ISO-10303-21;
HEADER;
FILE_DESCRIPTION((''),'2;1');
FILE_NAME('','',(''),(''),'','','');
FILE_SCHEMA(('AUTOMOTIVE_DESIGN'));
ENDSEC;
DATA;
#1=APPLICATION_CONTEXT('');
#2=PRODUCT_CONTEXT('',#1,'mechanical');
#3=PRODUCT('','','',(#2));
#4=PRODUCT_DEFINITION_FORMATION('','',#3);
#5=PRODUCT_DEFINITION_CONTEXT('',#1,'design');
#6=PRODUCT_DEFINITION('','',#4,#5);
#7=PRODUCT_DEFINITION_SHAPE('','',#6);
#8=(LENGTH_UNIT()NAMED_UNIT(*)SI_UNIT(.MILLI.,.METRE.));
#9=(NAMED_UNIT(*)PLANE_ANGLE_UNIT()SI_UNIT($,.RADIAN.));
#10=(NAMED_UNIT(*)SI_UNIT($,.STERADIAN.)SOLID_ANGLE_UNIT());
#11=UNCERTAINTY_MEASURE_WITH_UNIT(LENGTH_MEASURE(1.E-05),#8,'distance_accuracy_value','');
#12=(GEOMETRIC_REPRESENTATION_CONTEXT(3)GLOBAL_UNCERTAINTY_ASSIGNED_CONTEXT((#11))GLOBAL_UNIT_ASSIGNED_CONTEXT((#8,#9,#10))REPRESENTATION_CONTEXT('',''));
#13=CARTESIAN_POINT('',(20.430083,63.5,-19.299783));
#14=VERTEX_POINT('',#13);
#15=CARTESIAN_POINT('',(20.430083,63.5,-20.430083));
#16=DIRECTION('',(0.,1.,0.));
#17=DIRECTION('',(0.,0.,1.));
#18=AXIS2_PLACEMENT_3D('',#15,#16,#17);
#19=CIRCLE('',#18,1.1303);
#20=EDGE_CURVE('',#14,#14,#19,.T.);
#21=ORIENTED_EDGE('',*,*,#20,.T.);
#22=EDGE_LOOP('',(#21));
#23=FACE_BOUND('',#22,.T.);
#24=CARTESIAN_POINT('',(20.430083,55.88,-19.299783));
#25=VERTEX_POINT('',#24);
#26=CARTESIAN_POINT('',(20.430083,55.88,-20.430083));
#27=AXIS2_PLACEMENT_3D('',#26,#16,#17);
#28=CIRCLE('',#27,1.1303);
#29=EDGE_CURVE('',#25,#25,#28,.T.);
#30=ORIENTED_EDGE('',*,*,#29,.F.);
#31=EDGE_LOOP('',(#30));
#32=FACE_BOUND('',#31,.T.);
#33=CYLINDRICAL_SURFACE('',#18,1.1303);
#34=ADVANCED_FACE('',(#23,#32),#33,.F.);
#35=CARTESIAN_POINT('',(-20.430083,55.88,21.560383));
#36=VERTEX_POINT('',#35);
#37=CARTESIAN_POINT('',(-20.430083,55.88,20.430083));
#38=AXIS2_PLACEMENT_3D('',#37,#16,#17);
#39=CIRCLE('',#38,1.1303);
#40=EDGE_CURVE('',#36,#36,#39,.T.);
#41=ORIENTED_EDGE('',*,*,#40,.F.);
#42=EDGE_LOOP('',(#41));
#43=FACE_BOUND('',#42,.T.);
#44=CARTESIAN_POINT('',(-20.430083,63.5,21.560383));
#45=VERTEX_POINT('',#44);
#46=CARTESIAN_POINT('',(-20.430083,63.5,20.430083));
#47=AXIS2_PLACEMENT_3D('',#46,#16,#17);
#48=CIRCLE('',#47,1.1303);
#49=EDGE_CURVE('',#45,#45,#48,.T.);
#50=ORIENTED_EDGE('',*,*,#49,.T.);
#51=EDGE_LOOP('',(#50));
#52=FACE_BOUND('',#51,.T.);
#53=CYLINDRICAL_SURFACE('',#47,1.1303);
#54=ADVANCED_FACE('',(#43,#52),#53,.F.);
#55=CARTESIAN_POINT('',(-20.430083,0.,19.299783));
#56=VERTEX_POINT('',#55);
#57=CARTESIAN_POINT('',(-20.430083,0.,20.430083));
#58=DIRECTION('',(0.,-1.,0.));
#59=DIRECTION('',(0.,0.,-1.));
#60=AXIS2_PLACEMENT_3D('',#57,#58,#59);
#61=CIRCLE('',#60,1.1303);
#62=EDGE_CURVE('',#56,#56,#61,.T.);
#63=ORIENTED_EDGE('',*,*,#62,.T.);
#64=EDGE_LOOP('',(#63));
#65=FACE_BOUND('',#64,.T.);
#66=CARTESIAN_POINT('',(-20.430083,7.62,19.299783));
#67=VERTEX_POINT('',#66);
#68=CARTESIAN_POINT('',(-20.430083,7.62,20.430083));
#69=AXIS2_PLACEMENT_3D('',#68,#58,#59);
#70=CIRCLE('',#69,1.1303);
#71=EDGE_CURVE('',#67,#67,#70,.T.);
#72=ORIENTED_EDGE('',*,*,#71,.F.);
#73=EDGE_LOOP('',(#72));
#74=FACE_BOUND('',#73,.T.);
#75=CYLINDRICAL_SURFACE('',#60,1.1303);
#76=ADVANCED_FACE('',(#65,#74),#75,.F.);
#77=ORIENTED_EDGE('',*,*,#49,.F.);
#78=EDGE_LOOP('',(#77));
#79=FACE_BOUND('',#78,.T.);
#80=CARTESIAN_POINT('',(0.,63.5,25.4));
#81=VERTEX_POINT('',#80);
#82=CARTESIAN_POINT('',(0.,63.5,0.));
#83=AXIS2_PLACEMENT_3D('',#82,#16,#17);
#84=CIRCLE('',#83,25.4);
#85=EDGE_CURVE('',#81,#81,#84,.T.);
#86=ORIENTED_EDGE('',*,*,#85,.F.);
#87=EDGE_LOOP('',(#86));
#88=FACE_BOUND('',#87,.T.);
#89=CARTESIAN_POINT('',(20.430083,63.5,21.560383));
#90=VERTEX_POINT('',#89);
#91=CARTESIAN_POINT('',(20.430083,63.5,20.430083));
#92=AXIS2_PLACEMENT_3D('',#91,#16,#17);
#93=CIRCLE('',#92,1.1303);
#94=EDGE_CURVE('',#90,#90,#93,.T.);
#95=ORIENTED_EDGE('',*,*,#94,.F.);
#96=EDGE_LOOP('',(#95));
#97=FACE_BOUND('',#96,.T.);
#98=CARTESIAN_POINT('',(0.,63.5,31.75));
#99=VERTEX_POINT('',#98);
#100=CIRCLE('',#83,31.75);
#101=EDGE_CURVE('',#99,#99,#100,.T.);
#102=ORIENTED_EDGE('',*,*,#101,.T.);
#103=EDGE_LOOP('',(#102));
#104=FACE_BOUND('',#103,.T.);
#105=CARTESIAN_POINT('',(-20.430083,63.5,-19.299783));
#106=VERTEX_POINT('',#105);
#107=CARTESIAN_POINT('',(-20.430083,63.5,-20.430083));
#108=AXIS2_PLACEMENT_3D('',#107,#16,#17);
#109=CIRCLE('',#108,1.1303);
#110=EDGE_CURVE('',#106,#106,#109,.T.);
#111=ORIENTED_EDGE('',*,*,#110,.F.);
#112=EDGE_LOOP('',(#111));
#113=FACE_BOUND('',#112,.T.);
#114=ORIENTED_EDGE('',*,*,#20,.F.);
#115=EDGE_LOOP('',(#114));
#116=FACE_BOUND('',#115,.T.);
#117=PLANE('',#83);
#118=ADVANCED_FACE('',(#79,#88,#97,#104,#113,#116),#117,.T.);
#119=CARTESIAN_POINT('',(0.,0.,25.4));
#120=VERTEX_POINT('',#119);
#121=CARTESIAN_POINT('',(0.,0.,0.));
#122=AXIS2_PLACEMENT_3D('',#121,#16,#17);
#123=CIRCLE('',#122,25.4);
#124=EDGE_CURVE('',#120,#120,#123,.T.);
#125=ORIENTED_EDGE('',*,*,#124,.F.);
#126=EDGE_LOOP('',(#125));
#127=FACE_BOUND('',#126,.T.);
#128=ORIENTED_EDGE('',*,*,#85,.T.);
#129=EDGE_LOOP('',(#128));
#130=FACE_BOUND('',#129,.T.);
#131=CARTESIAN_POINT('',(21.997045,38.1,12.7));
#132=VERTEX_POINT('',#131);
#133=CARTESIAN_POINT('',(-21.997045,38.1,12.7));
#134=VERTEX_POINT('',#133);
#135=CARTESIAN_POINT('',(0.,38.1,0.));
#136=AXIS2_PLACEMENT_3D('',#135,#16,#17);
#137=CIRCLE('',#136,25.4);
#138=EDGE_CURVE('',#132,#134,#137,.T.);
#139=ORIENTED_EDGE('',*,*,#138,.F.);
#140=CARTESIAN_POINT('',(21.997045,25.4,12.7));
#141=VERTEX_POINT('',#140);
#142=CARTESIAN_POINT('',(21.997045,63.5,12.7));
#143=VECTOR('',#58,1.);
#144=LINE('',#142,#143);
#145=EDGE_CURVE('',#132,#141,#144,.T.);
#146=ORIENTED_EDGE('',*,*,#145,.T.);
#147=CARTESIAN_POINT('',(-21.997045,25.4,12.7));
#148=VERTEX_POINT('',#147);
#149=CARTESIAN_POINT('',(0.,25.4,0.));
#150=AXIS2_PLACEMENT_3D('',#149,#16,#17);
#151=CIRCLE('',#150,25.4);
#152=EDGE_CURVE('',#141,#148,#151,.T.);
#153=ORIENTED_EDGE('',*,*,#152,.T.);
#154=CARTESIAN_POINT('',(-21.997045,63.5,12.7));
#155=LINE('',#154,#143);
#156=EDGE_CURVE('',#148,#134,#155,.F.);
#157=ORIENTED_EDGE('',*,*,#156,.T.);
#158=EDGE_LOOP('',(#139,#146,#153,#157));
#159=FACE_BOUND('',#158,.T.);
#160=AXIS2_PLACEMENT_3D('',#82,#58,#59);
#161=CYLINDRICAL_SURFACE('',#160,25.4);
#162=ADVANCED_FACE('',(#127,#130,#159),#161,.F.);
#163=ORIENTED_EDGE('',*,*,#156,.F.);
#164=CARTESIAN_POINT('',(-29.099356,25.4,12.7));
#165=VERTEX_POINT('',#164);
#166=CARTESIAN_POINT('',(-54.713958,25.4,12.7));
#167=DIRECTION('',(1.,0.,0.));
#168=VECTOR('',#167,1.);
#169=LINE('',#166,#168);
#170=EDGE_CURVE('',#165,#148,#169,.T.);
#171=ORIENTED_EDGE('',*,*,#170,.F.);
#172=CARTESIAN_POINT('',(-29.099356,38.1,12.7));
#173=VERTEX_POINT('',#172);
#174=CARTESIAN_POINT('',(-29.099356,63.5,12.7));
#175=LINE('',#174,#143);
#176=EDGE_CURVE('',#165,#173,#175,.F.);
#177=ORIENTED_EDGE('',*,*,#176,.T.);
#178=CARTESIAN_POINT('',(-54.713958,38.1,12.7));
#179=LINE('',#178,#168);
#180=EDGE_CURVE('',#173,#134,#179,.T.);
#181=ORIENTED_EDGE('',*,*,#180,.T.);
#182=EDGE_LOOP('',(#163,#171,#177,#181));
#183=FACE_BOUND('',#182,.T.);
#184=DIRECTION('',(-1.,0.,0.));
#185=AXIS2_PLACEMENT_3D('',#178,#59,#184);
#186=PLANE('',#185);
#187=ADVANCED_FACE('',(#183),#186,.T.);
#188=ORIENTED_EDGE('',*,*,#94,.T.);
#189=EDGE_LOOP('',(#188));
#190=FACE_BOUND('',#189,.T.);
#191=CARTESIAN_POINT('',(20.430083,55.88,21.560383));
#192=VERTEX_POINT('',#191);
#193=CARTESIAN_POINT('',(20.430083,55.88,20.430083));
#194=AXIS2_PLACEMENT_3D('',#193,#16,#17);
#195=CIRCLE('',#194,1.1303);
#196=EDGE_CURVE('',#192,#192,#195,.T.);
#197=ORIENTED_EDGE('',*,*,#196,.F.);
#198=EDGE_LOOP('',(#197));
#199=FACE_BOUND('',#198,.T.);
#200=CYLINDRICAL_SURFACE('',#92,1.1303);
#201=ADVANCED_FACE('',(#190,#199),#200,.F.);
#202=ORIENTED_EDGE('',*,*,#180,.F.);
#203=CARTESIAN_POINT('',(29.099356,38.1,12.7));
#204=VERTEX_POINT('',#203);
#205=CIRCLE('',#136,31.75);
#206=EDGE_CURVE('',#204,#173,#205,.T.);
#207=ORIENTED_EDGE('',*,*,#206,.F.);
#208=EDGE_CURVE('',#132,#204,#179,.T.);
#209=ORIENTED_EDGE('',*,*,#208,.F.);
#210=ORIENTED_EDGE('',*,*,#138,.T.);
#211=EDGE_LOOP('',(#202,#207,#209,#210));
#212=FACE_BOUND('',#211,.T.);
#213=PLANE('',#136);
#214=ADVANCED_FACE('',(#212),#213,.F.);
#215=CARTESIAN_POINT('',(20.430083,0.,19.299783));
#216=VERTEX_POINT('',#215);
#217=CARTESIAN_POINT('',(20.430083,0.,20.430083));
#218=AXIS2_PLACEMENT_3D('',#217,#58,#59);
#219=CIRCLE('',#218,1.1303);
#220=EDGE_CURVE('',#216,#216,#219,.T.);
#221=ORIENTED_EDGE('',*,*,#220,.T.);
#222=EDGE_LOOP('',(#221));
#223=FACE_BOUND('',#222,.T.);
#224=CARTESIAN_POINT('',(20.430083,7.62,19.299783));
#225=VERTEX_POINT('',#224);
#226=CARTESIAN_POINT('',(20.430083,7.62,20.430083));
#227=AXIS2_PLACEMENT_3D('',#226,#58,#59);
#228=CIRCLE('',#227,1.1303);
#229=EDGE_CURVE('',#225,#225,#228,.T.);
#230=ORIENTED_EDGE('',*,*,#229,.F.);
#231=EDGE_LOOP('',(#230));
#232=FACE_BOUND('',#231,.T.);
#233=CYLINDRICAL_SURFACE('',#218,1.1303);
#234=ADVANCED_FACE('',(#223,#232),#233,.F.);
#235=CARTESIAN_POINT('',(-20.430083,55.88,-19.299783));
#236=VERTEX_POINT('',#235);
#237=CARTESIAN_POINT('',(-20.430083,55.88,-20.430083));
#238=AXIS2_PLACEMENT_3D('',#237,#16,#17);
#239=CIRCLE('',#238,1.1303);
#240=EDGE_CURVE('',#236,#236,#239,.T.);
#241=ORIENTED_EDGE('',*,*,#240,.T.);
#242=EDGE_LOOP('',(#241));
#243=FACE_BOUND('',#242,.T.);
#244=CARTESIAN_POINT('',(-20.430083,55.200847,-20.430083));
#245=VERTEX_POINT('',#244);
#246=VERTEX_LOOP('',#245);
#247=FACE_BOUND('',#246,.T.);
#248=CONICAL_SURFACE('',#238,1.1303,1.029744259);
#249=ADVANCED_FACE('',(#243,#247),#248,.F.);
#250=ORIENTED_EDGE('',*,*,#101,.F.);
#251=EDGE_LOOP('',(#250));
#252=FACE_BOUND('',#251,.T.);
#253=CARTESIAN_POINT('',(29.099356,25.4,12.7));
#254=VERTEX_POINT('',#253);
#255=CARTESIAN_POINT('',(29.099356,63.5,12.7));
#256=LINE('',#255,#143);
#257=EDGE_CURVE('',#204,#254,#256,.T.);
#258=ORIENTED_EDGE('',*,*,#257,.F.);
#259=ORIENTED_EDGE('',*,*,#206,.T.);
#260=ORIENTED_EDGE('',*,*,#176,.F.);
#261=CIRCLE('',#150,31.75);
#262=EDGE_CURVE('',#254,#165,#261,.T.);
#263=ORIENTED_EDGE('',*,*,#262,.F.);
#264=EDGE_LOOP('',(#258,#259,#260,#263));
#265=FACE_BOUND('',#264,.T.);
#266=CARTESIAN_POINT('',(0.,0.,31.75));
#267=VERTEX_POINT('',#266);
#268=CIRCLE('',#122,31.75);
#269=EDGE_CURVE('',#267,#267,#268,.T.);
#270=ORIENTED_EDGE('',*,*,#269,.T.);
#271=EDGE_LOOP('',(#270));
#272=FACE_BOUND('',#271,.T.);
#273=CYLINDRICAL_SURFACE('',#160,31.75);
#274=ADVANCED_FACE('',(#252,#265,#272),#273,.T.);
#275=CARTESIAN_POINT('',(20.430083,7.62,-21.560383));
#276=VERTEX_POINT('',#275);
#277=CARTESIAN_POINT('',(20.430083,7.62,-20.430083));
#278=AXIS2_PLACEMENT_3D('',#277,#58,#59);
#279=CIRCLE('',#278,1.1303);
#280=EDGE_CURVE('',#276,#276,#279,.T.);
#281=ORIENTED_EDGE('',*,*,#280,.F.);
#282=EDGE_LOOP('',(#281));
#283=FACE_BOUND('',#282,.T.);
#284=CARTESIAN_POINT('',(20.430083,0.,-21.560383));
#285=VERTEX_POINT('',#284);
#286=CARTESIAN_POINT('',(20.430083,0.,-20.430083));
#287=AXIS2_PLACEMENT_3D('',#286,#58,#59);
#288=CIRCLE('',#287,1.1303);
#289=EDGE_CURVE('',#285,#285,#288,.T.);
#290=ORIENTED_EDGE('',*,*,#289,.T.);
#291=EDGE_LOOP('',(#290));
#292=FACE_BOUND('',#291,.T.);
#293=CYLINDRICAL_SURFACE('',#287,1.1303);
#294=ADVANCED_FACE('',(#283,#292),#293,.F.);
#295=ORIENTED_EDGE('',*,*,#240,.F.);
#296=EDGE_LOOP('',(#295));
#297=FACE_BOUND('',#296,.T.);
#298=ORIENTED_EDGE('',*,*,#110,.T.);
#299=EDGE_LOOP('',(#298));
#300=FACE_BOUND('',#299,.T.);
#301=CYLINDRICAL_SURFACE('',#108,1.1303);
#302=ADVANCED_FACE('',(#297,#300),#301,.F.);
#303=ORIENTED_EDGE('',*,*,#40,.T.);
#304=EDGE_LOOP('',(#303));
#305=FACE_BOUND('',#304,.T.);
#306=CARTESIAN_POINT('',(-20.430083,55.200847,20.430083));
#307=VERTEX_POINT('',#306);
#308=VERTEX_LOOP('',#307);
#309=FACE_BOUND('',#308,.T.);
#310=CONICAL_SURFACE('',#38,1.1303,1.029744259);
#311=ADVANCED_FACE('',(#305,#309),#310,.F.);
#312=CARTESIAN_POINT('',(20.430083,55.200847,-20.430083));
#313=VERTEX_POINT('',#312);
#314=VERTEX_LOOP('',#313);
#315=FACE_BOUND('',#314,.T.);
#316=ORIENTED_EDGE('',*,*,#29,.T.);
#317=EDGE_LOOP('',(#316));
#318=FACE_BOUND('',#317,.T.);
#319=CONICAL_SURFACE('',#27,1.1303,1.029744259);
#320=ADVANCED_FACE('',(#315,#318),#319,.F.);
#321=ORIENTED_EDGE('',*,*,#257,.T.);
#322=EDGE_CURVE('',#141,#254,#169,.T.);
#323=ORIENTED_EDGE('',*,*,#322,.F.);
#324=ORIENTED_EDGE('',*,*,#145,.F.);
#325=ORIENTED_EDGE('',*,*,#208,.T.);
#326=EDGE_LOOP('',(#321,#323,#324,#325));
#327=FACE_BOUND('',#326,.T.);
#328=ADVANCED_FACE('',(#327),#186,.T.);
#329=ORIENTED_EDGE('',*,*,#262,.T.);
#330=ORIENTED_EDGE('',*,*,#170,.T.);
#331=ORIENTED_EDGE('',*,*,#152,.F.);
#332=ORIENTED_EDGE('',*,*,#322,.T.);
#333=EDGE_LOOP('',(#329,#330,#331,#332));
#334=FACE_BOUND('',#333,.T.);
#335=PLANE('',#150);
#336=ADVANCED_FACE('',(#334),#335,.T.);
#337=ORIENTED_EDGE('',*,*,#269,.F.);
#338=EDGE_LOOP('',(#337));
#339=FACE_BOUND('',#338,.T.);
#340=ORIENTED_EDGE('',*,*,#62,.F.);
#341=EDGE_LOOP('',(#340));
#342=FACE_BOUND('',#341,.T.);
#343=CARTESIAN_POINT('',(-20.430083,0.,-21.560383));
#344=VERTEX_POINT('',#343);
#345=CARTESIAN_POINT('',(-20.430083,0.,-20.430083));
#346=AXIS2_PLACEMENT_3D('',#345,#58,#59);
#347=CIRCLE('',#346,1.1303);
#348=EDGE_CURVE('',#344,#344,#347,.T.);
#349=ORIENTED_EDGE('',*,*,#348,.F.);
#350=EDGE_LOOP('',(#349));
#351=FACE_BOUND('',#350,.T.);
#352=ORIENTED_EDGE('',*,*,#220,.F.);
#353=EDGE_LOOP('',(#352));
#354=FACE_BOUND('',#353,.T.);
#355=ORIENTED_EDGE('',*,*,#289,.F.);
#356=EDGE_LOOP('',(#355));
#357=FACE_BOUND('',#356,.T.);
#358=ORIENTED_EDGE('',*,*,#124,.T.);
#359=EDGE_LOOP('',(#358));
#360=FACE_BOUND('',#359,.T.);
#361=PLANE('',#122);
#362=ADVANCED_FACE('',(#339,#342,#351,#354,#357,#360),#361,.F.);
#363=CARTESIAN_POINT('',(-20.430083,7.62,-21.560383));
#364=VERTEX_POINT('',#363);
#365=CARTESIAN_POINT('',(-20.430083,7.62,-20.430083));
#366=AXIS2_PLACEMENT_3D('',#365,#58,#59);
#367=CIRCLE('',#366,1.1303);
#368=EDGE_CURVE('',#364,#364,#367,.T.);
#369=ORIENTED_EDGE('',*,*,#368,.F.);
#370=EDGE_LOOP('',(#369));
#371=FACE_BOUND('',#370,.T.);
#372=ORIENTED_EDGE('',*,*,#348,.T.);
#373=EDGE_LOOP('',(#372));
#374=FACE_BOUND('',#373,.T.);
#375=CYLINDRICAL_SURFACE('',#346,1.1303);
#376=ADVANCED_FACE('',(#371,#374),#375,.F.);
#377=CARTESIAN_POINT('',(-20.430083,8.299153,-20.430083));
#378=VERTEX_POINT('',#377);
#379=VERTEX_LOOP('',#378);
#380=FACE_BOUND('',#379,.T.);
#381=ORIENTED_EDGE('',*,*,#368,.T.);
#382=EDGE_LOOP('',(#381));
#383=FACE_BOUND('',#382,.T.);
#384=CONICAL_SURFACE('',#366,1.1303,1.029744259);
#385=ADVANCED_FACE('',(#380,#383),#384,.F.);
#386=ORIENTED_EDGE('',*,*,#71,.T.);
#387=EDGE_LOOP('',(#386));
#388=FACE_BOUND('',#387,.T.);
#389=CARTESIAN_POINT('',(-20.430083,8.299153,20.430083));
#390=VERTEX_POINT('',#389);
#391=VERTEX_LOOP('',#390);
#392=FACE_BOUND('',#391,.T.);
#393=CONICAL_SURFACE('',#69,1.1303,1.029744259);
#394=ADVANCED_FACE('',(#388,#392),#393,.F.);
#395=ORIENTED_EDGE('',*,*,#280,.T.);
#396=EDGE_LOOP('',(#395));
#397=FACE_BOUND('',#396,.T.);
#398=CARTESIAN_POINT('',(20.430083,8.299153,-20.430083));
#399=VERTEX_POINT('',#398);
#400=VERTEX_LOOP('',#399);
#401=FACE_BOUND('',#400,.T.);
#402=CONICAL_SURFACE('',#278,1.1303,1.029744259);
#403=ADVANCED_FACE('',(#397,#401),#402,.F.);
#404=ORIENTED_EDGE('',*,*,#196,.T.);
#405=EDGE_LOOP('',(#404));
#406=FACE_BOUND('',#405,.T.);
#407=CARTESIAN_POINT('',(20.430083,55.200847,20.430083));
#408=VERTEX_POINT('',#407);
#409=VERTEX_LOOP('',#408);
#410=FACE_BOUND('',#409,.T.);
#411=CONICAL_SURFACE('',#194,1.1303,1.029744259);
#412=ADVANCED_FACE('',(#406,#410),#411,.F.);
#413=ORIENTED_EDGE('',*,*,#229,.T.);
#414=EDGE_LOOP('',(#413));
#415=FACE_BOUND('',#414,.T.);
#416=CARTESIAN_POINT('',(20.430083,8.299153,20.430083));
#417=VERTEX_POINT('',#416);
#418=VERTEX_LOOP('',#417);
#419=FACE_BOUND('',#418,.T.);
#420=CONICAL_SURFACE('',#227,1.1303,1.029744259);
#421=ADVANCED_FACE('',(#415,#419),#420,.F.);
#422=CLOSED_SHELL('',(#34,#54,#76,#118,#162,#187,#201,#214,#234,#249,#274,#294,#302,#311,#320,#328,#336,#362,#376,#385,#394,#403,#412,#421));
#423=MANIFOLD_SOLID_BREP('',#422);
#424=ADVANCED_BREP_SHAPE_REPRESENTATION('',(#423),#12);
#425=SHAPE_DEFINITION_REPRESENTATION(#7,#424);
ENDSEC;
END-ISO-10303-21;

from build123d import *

# Parameters (mm, degrees)
SKETCH1_R                      = 31.75
SKETCH1_R_2                    = 25.4
BOSS_EXTRUDE1_DEPTH            = 63.5
F_4_40_TAPPED_HOLE1_AT_2_COUNT = 2
F_4_40_TAPPED_HOLE1_AT_2_PITCH = 40.860165351
F_4_40_TAPPED_HOLE1_AT_3_COUNT = 2
F_4_40_TAPPED_HOLE1_AT_3_PITCH = 57.785
F_4_40_TAPPED_HOLE1_AT_4_COUNT = 2
F_4_40_TAPPED_HOLE1_AT_4_PITCH = 40.860165351
SKETCH4_W                      = 112.670227293
SKETCH4_H                      = 56.447090519
CUT_EXTRUDE1_DEPTH             = 12.7


with BuildPart() as part:
    # Sketch1 → Boss-Extrude1 (new body)
    with BuildSketch(Plane(origin=(0, 0, 0), x_dir=(1, 0, 0), z_dir=(0, 1, 0))):
        Circle(SKETCH1_R)
        Circle(SKETCH1_R_2, mode=Mode.SUBTRACT)
    extrude(amount=BOSS_EXTRUDE1_DEPTH)

    # Sketch2 → #4-40 Tapped Hole1 (revolve, cut)
    with BuildSketch(Plane(origin=(-20.430082675, 0, 20.430082675), x_dir=(0, 0, -1), z_dir=(1, 0, 0))):
        Polygon((0, 0), (0, 8.299152758), (1.1303, 7.62), (1.1303, 0), align=None)
    f_4_40_tapped_hole1 = revolve(axis=Axis((-20.430082675, -6.35, 20.430082675), (0, 1, 0)), mode=Mode.SUBTRACT)

    # #4-40 Tapped Hole1 at 2: #4-40 Tapped Hole1 ×2
    with Locations(*[(i * F_4_40_TAPPED_HOLE1_AT_2_PITCH, 0, 0) for i in range(1, F_4_40_TAPPED_HOLE1_AT_2_COUNT)]):
        add(f_4_40_tapped_hole1, mode=Mode.SUBTRACT)

    # #4-40 Tapped Hole1 at 3: #4-40 Tapped Hole1 ×2
    with Locations(*[Vector(0.707106781, 0, -0.707106781) * (i * F_4_40_TAPPED_HOLE1_AT_3_PITCH) for i in range(1, F_4_40_TAPPED_HOLE1_AT_3_COUNT)]):
        add(f_4_40_tapped_hole1, mode=Mode.SUBTRACT)

    # #4-40 Tapped Hole1 at 4: #4-40 Tapped Hole1 ×2
    with Locations(*[(0, 0, -i * F_4_40_TAPPED_HOLE1_AT_4_PITCH) for i in range(1, F_4_40_TAPPED_HOLE1_AT_4_COUNT)]):
        add(f_4_40_tapped_hole1, mode=Mode.SUBTRACT)

    # Sketch4 → Cut-Extrude1 (cut)
    with BuildSketch(Plane(origin=(0, 25.4, 0), x_dir=(1, 0, 0), z_dir=(0, 1, 0))):
        with Locations((1.62115564, 15.52354526)):
            Rectangle(SKETCH4_W, SKETCH4_H)
    extrude(amount=CUT_EXTRUDE1_DEPTH, mode=Mode.SUBTRACT)

    # Mirror1: #4-40 Tapped Hole1 across plane
    add(f_4_40_tapped_hole1.mirror(Plane.ZX.offset(31.75)), mode=Mode.SUBTRACT)

    # Mirror1 copy 1 sketch → Mirror1 copy 1 (revolve, cut)
    with BuildSketch(Plane(origin=(20.430082675, 63.5, 20.430082675), x_dir=(0, 0, -1), z_dir=(1, 0, 0))):
        Polygon((0, 0), (0, -8.299152758), (1.1303, -7.62), (1.1303, 0), align=None)
    revolve(axis=Axis((20.430082675, 69.85, 20.430082675), (0, 1, 0)), mode=Mode.SUBTRACT)

    # Mirror1 copy 2 sketch → Mirror1 copy 2 (revolve, cut)
    with BuildSketch(Plane(origin=(20.430082675, 63.5, -20.430082675), x_dir=(0, 0, -1), z_dir=(1, 0, 0))):
        Polygon((0, 0), (0, -8.299152758), (1.1303, -7.62), (1.1303, 0), align=None)
    revolve(axis=Axis((20.430082675, 69.85, -20.430082675), (0, 1, 0)), mode=Mode.SUBTRACT)

    # Mirror1 copy 3 sketch → Mirror1 copy 3 (revolve, cut)
    with BuildSketch(Plane(origin=(-20.430082675, 63.5, -20.430082675), x_dir=(0, 0, -1), z_dir=(1, 0, 0))):
        Polygon((0, 0), (0, -8.299152758), (1.1303, -7.62), (1.1303, 0), align=None)
    revolve(axis=Axis((-20.430082675, 69.85, -20.430082675), (0, 1, 0)), mode=Mode.SUBTRACT)


solid = part.part
